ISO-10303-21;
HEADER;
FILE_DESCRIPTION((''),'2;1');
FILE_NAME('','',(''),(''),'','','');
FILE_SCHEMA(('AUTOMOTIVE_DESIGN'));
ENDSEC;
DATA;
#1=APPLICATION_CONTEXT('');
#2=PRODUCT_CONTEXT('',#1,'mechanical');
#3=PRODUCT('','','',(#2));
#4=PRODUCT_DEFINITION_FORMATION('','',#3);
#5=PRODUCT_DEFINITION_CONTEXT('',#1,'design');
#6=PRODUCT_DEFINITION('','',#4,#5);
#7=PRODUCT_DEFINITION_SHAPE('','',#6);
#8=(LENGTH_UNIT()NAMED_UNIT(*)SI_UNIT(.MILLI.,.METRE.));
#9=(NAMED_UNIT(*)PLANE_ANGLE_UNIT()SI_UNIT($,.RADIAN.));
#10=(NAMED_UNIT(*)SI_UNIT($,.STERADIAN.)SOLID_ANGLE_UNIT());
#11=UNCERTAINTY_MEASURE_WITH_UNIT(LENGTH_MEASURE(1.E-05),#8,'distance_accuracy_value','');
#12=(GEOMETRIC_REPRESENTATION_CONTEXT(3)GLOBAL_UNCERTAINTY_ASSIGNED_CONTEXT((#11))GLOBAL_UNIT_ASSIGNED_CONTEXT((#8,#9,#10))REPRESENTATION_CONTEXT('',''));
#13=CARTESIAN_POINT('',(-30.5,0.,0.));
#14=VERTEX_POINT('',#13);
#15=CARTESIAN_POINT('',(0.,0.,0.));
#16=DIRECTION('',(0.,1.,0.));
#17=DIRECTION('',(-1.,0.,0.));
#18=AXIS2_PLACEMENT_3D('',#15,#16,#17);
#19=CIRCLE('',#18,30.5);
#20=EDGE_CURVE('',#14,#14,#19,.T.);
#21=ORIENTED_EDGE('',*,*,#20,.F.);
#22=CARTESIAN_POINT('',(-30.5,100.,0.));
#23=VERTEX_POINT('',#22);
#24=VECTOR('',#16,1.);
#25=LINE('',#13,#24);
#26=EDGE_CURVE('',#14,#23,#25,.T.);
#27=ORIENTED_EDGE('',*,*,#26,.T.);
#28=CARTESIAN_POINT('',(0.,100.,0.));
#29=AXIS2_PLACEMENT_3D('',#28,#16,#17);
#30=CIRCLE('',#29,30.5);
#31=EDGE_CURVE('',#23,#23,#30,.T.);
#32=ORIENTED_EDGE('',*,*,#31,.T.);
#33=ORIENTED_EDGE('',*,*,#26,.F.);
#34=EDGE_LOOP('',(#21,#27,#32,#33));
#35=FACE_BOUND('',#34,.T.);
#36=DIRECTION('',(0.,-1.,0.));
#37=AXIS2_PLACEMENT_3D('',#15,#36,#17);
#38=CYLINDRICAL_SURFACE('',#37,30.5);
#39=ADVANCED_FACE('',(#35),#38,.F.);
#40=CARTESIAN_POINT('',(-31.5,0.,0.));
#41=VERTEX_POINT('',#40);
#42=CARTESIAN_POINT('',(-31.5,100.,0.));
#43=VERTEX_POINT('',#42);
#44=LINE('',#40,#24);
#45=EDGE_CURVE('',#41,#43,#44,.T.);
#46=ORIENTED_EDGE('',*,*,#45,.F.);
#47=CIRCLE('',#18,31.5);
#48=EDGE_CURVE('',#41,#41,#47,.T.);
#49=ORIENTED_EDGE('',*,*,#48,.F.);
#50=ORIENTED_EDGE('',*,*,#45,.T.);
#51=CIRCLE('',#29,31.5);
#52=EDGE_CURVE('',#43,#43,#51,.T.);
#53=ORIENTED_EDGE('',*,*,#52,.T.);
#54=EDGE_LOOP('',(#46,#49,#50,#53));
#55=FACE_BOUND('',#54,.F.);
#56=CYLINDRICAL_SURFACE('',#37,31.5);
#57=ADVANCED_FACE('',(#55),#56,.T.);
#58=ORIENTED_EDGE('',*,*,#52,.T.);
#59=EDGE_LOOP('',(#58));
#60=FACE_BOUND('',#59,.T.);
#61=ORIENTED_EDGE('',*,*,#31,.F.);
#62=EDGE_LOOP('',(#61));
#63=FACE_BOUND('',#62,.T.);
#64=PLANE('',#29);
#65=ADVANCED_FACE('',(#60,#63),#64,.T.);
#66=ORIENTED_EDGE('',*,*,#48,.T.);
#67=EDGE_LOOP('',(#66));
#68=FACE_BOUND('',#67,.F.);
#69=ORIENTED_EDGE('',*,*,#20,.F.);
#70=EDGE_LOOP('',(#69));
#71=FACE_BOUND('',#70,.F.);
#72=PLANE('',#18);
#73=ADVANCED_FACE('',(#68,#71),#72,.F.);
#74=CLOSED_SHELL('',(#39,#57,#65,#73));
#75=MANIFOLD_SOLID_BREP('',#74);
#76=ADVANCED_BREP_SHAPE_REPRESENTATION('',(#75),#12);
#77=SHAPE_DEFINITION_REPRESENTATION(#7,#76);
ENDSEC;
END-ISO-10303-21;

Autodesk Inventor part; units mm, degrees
ref_plane "YZ Plane" through (0, 0, 0) normal (1, 0, 0) x (0, 1, 0)
ref_plane "XZ Plane" through (0, 0, 0) normal (0, 1, 0) x (-1, 0, 0)
ref_plane "XY Plane" through (0, 0, 0) normal (0, 0, 1) x (1, 0, 0)
sketch "Sketch1" plane through (0, 0, 0) normal (0, 1, 0) x (-1, 0, 0)
  circle A0 centre (0, 0) radius 31.5
  circle A1 centre (0, 0) radius 30.5
  dimension "d0" = 63
  dimension "d1" = 61
extrude "Extrusion1" add sketch "Sketch1" along normal blind 100
properties part number "module_lunaire"
